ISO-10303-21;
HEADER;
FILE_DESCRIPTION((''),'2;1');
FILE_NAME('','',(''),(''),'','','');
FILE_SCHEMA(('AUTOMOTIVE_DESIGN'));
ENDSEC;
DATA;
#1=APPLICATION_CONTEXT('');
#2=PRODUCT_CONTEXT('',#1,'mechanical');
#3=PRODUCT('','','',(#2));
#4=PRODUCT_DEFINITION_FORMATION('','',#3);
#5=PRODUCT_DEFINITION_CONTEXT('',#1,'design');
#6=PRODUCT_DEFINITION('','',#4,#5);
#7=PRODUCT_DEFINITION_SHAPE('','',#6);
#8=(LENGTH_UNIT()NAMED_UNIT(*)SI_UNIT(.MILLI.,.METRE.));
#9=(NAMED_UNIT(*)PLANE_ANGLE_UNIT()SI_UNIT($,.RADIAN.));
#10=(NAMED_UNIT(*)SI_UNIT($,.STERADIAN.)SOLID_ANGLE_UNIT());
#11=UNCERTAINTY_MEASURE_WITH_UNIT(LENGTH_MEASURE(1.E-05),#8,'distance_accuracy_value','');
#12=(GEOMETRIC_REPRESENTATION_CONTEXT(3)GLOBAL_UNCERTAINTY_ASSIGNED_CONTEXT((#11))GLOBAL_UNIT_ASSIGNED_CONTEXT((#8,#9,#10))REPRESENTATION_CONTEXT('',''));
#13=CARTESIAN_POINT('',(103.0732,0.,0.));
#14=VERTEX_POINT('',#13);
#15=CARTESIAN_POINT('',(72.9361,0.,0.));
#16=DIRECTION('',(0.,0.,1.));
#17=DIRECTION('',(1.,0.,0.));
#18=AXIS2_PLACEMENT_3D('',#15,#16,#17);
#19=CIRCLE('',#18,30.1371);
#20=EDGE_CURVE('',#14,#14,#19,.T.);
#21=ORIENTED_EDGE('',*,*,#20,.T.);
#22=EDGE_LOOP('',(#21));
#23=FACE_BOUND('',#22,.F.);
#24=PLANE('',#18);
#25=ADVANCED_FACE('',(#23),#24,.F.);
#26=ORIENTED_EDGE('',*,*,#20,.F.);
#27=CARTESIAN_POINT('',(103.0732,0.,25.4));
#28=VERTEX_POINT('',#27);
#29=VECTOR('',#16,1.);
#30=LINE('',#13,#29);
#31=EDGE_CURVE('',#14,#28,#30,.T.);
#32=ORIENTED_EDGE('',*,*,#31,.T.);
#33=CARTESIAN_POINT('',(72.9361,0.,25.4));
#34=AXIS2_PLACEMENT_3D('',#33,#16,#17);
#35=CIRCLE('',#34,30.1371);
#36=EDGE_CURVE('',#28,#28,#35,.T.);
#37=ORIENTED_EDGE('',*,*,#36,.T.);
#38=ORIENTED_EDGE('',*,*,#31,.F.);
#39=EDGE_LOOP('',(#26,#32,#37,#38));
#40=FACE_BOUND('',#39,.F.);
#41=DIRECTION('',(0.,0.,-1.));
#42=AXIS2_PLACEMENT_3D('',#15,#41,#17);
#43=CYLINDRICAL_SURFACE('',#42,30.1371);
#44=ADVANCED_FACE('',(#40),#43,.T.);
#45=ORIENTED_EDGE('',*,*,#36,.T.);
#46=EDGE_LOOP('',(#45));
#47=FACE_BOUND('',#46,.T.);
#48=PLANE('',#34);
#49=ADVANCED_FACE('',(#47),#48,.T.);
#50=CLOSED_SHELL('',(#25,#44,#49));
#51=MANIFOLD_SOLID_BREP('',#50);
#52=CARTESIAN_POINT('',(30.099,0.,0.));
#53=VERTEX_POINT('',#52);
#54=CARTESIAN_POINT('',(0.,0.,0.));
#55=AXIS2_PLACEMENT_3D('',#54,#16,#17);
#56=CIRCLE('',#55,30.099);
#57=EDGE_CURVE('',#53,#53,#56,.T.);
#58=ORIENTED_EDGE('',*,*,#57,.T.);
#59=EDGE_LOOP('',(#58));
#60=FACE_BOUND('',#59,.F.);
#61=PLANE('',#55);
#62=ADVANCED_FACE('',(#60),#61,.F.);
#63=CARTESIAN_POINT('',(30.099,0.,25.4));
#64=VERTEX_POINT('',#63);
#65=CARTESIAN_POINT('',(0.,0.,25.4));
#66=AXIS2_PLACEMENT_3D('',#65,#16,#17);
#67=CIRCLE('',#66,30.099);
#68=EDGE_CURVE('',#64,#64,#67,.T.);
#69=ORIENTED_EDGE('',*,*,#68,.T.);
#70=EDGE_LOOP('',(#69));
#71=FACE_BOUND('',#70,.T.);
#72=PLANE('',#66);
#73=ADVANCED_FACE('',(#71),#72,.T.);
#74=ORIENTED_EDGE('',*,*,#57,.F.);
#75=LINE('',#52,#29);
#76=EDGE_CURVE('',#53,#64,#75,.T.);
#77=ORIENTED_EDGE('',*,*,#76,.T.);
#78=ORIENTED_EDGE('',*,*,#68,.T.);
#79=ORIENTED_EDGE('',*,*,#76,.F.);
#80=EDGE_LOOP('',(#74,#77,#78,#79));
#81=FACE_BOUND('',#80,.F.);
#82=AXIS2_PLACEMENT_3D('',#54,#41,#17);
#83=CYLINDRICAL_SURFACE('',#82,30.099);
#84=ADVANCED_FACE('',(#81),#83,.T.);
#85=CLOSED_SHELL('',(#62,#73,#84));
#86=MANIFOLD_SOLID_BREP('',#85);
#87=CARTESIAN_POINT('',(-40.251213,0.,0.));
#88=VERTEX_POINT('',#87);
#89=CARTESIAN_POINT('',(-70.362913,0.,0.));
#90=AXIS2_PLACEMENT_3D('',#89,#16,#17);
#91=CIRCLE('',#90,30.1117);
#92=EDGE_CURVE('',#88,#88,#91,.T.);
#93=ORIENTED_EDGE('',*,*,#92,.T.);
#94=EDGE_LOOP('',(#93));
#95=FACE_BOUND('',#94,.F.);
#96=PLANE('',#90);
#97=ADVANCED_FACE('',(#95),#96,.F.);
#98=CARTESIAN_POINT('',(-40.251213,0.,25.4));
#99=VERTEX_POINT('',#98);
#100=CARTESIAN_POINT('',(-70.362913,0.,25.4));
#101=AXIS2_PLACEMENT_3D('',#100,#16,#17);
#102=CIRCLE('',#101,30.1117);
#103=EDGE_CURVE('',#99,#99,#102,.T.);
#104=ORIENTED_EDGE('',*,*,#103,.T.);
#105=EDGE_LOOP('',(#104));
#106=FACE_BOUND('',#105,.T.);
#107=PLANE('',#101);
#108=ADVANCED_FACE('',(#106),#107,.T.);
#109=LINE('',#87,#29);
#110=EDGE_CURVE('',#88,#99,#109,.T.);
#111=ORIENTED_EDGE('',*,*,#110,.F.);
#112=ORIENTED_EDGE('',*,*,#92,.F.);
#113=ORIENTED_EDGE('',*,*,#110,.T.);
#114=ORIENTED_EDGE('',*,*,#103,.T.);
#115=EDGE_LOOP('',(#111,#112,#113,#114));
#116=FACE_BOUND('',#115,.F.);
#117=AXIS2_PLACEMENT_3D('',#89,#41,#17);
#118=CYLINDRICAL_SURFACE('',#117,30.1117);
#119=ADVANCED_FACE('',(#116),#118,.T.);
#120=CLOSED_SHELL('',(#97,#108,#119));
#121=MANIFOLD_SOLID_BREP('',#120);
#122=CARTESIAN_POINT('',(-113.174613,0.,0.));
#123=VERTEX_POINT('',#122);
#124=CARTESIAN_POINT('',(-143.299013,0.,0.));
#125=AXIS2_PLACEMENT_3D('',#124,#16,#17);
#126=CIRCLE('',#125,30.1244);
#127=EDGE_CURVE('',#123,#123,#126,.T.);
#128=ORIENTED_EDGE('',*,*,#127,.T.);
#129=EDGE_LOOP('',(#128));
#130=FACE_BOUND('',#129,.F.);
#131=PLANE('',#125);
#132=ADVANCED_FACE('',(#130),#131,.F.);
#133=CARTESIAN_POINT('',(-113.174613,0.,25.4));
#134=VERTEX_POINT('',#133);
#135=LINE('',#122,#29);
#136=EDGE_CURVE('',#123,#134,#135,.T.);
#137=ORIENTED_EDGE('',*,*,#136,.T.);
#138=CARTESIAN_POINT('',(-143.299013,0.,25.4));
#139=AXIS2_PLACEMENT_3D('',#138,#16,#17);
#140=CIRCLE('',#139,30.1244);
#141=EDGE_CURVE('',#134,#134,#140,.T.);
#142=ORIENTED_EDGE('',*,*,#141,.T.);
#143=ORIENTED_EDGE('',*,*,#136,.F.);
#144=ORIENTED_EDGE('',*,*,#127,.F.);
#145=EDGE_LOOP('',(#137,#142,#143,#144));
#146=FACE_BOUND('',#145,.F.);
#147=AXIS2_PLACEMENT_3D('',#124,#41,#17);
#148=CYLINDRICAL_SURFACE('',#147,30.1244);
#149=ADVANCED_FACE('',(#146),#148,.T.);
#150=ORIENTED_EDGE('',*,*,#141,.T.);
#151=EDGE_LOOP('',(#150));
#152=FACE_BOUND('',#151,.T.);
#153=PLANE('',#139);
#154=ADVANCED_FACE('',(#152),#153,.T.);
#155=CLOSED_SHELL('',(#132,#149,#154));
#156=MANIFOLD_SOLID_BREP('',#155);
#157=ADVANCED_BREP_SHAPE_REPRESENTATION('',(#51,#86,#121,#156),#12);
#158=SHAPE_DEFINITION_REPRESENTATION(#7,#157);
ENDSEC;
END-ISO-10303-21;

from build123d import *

# Parameters (mm, degrees)
F0_R     = 30.099
F0_R_2   = 30.1117
F0_R_3   = 30.1244
F0_R_4   = 30.1371
F1_DEPTH = 25.4


with BuildPart() as f1:
    # F0 (on Top) → F1 (new body)
    with BuildSketch(Plane.XY):
        Circle(F0_R)
        with Locations((-70.362913, 0)):
            Circle(F0_R_2)
        with Locations((-143.299013, 0)):
            Circle(F0_R_3)
        with Locations((72.9361, 0)):
            Circle(F0_R_4)
    extrude(amount=F1_DEPTH)


solid = f1.part
